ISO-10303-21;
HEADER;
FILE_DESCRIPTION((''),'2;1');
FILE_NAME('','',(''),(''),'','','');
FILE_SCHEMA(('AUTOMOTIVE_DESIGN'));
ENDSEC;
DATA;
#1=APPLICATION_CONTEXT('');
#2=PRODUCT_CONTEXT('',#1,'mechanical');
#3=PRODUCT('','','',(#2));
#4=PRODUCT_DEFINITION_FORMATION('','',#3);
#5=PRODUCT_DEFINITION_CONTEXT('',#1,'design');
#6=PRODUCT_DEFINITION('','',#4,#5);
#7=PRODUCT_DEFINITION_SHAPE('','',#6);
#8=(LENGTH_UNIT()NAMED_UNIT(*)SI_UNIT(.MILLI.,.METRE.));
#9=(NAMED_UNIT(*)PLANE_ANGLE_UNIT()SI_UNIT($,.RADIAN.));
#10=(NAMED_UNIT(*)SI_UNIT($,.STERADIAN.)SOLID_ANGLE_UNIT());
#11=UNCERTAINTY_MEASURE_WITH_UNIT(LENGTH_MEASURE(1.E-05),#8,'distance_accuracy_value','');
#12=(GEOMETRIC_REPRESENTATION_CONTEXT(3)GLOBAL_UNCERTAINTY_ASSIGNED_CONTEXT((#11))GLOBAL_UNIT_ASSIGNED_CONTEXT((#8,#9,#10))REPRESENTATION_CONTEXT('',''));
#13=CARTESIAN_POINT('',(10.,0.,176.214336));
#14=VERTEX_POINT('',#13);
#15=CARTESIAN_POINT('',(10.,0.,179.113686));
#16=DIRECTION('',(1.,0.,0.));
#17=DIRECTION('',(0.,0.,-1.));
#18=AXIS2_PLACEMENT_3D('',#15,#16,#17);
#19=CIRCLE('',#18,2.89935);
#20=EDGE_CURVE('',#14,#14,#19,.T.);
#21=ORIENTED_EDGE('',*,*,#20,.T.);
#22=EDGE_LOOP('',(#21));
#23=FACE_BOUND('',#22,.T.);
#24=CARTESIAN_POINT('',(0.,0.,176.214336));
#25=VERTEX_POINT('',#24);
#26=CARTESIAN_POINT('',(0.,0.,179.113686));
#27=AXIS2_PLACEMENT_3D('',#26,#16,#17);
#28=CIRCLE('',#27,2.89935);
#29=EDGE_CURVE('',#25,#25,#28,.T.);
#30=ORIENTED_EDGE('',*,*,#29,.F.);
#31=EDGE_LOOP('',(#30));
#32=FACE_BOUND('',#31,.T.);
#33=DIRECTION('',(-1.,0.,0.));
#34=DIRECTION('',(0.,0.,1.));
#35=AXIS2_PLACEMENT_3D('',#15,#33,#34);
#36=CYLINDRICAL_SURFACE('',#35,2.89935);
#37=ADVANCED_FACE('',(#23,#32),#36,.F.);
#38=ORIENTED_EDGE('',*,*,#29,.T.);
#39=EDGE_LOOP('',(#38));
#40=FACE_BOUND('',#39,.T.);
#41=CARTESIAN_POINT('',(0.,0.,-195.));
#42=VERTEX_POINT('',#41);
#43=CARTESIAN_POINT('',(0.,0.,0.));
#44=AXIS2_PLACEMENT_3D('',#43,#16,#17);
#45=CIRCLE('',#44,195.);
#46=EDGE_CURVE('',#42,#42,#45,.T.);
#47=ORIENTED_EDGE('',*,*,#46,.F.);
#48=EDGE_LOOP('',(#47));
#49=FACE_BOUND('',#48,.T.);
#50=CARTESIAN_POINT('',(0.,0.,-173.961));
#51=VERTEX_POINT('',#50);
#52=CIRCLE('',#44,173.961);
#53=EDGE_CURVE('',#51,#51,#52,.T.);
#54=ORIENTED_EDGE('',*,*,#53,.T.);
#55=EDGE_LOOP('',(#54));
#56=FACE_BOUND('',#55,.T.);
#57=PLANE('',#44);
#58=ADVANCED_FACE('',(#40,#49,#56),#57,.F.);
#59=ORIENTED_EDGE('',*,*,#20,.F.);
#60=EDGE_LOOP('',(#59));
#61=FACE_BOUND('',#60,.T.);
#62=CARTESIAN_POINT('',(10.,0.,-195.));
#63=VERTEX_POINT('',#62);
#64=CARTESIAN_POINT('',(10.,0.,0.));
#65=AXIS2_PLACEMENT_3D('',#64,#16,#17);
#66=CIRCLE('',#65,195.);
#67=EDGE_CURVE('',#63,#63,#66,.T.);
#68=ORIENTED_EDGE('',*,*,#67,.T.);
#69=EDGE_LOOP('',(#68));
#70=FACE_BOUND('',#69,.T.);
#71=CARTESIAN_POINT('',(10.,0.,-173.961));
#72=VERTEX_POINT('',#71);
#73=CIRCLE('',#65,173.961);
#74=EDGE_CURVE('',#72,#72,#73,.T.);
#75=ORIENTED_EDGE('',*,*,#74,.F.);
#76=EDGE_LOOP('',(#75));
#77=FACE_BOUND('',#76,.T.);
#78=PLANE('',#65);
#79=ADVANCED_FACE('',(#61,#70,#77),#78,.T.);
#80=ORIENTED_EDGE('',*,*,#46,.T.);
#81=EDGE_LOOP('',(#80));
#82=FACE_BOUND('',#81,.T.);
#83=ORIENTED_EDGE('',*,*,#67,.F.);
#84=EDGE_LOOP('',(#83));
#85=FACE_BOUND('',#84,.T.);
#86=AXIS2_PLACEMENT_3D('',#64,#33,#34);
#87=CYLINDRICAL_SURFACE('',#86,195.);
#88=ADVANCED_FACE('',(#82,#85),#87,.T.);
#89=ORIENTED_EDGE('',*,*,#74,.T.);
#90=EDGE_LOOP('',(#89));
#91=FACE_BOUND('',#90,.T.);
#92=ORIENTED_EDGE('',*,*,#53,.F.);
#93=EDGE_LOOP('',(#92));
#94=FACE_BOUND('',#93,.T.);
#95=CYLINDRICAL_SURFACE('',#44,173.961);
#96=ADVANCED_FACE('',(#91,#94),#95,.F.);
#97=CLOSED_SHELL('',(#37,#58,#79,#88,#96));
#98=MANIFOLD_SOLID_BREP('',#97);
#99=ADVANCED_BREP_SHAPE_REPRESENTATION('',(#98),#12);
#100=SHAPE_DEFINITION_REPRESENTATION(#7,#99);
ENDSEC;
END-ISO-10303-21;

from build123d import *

# Parameters (mm, degrees)
SKETCH1_R               = 195
SKETCH1_R_2             = 2.89935
BOSS_EXTRUDE1_DEPTH     = 10
CUT_EXTRUDE1_DEPTH      = 276.952894531
CUT_EXTRUDE1_DEPTH_BACK = 276.952894531
SKETCH2_R               = 173.961


with BuildPart() as part:
    # Sketch1 → Boss-Extrude1 (new body)
    with BuildSketch(Plane(origin=(0, 0, 0), x_dir=(0, 0, -1), z_dir=(1, 0, 0))):
        Circle(SKETCH1_R)
        with Locations((-179.1136862, 0)):
            Circle(SKETCH1_R_2, mode=Mode.SUBTRACT)
    extrude(amount=BOSS_EXTRUDE1_DEPTH)

    # Sketch2 → Cut-Extrude1 (cut, two sides: drawn at the far end of the back side and taken through both)
    with BuildSketch(Plane(origin=(10, 0, 0), x_dir=(0, 0, -1), z_dir=(1, 0, 0)).offset(-CUT_EXTRUDE1_DEPTH_BACK)):
        Circle(SKETCH2_R)
    extrude(amount=CUT_EXTRUDE1_DEPTH + CUT_EXTRUDE1_DEPTH_BACK, mode=Mode.SUBTRACT)


solid = part.part
